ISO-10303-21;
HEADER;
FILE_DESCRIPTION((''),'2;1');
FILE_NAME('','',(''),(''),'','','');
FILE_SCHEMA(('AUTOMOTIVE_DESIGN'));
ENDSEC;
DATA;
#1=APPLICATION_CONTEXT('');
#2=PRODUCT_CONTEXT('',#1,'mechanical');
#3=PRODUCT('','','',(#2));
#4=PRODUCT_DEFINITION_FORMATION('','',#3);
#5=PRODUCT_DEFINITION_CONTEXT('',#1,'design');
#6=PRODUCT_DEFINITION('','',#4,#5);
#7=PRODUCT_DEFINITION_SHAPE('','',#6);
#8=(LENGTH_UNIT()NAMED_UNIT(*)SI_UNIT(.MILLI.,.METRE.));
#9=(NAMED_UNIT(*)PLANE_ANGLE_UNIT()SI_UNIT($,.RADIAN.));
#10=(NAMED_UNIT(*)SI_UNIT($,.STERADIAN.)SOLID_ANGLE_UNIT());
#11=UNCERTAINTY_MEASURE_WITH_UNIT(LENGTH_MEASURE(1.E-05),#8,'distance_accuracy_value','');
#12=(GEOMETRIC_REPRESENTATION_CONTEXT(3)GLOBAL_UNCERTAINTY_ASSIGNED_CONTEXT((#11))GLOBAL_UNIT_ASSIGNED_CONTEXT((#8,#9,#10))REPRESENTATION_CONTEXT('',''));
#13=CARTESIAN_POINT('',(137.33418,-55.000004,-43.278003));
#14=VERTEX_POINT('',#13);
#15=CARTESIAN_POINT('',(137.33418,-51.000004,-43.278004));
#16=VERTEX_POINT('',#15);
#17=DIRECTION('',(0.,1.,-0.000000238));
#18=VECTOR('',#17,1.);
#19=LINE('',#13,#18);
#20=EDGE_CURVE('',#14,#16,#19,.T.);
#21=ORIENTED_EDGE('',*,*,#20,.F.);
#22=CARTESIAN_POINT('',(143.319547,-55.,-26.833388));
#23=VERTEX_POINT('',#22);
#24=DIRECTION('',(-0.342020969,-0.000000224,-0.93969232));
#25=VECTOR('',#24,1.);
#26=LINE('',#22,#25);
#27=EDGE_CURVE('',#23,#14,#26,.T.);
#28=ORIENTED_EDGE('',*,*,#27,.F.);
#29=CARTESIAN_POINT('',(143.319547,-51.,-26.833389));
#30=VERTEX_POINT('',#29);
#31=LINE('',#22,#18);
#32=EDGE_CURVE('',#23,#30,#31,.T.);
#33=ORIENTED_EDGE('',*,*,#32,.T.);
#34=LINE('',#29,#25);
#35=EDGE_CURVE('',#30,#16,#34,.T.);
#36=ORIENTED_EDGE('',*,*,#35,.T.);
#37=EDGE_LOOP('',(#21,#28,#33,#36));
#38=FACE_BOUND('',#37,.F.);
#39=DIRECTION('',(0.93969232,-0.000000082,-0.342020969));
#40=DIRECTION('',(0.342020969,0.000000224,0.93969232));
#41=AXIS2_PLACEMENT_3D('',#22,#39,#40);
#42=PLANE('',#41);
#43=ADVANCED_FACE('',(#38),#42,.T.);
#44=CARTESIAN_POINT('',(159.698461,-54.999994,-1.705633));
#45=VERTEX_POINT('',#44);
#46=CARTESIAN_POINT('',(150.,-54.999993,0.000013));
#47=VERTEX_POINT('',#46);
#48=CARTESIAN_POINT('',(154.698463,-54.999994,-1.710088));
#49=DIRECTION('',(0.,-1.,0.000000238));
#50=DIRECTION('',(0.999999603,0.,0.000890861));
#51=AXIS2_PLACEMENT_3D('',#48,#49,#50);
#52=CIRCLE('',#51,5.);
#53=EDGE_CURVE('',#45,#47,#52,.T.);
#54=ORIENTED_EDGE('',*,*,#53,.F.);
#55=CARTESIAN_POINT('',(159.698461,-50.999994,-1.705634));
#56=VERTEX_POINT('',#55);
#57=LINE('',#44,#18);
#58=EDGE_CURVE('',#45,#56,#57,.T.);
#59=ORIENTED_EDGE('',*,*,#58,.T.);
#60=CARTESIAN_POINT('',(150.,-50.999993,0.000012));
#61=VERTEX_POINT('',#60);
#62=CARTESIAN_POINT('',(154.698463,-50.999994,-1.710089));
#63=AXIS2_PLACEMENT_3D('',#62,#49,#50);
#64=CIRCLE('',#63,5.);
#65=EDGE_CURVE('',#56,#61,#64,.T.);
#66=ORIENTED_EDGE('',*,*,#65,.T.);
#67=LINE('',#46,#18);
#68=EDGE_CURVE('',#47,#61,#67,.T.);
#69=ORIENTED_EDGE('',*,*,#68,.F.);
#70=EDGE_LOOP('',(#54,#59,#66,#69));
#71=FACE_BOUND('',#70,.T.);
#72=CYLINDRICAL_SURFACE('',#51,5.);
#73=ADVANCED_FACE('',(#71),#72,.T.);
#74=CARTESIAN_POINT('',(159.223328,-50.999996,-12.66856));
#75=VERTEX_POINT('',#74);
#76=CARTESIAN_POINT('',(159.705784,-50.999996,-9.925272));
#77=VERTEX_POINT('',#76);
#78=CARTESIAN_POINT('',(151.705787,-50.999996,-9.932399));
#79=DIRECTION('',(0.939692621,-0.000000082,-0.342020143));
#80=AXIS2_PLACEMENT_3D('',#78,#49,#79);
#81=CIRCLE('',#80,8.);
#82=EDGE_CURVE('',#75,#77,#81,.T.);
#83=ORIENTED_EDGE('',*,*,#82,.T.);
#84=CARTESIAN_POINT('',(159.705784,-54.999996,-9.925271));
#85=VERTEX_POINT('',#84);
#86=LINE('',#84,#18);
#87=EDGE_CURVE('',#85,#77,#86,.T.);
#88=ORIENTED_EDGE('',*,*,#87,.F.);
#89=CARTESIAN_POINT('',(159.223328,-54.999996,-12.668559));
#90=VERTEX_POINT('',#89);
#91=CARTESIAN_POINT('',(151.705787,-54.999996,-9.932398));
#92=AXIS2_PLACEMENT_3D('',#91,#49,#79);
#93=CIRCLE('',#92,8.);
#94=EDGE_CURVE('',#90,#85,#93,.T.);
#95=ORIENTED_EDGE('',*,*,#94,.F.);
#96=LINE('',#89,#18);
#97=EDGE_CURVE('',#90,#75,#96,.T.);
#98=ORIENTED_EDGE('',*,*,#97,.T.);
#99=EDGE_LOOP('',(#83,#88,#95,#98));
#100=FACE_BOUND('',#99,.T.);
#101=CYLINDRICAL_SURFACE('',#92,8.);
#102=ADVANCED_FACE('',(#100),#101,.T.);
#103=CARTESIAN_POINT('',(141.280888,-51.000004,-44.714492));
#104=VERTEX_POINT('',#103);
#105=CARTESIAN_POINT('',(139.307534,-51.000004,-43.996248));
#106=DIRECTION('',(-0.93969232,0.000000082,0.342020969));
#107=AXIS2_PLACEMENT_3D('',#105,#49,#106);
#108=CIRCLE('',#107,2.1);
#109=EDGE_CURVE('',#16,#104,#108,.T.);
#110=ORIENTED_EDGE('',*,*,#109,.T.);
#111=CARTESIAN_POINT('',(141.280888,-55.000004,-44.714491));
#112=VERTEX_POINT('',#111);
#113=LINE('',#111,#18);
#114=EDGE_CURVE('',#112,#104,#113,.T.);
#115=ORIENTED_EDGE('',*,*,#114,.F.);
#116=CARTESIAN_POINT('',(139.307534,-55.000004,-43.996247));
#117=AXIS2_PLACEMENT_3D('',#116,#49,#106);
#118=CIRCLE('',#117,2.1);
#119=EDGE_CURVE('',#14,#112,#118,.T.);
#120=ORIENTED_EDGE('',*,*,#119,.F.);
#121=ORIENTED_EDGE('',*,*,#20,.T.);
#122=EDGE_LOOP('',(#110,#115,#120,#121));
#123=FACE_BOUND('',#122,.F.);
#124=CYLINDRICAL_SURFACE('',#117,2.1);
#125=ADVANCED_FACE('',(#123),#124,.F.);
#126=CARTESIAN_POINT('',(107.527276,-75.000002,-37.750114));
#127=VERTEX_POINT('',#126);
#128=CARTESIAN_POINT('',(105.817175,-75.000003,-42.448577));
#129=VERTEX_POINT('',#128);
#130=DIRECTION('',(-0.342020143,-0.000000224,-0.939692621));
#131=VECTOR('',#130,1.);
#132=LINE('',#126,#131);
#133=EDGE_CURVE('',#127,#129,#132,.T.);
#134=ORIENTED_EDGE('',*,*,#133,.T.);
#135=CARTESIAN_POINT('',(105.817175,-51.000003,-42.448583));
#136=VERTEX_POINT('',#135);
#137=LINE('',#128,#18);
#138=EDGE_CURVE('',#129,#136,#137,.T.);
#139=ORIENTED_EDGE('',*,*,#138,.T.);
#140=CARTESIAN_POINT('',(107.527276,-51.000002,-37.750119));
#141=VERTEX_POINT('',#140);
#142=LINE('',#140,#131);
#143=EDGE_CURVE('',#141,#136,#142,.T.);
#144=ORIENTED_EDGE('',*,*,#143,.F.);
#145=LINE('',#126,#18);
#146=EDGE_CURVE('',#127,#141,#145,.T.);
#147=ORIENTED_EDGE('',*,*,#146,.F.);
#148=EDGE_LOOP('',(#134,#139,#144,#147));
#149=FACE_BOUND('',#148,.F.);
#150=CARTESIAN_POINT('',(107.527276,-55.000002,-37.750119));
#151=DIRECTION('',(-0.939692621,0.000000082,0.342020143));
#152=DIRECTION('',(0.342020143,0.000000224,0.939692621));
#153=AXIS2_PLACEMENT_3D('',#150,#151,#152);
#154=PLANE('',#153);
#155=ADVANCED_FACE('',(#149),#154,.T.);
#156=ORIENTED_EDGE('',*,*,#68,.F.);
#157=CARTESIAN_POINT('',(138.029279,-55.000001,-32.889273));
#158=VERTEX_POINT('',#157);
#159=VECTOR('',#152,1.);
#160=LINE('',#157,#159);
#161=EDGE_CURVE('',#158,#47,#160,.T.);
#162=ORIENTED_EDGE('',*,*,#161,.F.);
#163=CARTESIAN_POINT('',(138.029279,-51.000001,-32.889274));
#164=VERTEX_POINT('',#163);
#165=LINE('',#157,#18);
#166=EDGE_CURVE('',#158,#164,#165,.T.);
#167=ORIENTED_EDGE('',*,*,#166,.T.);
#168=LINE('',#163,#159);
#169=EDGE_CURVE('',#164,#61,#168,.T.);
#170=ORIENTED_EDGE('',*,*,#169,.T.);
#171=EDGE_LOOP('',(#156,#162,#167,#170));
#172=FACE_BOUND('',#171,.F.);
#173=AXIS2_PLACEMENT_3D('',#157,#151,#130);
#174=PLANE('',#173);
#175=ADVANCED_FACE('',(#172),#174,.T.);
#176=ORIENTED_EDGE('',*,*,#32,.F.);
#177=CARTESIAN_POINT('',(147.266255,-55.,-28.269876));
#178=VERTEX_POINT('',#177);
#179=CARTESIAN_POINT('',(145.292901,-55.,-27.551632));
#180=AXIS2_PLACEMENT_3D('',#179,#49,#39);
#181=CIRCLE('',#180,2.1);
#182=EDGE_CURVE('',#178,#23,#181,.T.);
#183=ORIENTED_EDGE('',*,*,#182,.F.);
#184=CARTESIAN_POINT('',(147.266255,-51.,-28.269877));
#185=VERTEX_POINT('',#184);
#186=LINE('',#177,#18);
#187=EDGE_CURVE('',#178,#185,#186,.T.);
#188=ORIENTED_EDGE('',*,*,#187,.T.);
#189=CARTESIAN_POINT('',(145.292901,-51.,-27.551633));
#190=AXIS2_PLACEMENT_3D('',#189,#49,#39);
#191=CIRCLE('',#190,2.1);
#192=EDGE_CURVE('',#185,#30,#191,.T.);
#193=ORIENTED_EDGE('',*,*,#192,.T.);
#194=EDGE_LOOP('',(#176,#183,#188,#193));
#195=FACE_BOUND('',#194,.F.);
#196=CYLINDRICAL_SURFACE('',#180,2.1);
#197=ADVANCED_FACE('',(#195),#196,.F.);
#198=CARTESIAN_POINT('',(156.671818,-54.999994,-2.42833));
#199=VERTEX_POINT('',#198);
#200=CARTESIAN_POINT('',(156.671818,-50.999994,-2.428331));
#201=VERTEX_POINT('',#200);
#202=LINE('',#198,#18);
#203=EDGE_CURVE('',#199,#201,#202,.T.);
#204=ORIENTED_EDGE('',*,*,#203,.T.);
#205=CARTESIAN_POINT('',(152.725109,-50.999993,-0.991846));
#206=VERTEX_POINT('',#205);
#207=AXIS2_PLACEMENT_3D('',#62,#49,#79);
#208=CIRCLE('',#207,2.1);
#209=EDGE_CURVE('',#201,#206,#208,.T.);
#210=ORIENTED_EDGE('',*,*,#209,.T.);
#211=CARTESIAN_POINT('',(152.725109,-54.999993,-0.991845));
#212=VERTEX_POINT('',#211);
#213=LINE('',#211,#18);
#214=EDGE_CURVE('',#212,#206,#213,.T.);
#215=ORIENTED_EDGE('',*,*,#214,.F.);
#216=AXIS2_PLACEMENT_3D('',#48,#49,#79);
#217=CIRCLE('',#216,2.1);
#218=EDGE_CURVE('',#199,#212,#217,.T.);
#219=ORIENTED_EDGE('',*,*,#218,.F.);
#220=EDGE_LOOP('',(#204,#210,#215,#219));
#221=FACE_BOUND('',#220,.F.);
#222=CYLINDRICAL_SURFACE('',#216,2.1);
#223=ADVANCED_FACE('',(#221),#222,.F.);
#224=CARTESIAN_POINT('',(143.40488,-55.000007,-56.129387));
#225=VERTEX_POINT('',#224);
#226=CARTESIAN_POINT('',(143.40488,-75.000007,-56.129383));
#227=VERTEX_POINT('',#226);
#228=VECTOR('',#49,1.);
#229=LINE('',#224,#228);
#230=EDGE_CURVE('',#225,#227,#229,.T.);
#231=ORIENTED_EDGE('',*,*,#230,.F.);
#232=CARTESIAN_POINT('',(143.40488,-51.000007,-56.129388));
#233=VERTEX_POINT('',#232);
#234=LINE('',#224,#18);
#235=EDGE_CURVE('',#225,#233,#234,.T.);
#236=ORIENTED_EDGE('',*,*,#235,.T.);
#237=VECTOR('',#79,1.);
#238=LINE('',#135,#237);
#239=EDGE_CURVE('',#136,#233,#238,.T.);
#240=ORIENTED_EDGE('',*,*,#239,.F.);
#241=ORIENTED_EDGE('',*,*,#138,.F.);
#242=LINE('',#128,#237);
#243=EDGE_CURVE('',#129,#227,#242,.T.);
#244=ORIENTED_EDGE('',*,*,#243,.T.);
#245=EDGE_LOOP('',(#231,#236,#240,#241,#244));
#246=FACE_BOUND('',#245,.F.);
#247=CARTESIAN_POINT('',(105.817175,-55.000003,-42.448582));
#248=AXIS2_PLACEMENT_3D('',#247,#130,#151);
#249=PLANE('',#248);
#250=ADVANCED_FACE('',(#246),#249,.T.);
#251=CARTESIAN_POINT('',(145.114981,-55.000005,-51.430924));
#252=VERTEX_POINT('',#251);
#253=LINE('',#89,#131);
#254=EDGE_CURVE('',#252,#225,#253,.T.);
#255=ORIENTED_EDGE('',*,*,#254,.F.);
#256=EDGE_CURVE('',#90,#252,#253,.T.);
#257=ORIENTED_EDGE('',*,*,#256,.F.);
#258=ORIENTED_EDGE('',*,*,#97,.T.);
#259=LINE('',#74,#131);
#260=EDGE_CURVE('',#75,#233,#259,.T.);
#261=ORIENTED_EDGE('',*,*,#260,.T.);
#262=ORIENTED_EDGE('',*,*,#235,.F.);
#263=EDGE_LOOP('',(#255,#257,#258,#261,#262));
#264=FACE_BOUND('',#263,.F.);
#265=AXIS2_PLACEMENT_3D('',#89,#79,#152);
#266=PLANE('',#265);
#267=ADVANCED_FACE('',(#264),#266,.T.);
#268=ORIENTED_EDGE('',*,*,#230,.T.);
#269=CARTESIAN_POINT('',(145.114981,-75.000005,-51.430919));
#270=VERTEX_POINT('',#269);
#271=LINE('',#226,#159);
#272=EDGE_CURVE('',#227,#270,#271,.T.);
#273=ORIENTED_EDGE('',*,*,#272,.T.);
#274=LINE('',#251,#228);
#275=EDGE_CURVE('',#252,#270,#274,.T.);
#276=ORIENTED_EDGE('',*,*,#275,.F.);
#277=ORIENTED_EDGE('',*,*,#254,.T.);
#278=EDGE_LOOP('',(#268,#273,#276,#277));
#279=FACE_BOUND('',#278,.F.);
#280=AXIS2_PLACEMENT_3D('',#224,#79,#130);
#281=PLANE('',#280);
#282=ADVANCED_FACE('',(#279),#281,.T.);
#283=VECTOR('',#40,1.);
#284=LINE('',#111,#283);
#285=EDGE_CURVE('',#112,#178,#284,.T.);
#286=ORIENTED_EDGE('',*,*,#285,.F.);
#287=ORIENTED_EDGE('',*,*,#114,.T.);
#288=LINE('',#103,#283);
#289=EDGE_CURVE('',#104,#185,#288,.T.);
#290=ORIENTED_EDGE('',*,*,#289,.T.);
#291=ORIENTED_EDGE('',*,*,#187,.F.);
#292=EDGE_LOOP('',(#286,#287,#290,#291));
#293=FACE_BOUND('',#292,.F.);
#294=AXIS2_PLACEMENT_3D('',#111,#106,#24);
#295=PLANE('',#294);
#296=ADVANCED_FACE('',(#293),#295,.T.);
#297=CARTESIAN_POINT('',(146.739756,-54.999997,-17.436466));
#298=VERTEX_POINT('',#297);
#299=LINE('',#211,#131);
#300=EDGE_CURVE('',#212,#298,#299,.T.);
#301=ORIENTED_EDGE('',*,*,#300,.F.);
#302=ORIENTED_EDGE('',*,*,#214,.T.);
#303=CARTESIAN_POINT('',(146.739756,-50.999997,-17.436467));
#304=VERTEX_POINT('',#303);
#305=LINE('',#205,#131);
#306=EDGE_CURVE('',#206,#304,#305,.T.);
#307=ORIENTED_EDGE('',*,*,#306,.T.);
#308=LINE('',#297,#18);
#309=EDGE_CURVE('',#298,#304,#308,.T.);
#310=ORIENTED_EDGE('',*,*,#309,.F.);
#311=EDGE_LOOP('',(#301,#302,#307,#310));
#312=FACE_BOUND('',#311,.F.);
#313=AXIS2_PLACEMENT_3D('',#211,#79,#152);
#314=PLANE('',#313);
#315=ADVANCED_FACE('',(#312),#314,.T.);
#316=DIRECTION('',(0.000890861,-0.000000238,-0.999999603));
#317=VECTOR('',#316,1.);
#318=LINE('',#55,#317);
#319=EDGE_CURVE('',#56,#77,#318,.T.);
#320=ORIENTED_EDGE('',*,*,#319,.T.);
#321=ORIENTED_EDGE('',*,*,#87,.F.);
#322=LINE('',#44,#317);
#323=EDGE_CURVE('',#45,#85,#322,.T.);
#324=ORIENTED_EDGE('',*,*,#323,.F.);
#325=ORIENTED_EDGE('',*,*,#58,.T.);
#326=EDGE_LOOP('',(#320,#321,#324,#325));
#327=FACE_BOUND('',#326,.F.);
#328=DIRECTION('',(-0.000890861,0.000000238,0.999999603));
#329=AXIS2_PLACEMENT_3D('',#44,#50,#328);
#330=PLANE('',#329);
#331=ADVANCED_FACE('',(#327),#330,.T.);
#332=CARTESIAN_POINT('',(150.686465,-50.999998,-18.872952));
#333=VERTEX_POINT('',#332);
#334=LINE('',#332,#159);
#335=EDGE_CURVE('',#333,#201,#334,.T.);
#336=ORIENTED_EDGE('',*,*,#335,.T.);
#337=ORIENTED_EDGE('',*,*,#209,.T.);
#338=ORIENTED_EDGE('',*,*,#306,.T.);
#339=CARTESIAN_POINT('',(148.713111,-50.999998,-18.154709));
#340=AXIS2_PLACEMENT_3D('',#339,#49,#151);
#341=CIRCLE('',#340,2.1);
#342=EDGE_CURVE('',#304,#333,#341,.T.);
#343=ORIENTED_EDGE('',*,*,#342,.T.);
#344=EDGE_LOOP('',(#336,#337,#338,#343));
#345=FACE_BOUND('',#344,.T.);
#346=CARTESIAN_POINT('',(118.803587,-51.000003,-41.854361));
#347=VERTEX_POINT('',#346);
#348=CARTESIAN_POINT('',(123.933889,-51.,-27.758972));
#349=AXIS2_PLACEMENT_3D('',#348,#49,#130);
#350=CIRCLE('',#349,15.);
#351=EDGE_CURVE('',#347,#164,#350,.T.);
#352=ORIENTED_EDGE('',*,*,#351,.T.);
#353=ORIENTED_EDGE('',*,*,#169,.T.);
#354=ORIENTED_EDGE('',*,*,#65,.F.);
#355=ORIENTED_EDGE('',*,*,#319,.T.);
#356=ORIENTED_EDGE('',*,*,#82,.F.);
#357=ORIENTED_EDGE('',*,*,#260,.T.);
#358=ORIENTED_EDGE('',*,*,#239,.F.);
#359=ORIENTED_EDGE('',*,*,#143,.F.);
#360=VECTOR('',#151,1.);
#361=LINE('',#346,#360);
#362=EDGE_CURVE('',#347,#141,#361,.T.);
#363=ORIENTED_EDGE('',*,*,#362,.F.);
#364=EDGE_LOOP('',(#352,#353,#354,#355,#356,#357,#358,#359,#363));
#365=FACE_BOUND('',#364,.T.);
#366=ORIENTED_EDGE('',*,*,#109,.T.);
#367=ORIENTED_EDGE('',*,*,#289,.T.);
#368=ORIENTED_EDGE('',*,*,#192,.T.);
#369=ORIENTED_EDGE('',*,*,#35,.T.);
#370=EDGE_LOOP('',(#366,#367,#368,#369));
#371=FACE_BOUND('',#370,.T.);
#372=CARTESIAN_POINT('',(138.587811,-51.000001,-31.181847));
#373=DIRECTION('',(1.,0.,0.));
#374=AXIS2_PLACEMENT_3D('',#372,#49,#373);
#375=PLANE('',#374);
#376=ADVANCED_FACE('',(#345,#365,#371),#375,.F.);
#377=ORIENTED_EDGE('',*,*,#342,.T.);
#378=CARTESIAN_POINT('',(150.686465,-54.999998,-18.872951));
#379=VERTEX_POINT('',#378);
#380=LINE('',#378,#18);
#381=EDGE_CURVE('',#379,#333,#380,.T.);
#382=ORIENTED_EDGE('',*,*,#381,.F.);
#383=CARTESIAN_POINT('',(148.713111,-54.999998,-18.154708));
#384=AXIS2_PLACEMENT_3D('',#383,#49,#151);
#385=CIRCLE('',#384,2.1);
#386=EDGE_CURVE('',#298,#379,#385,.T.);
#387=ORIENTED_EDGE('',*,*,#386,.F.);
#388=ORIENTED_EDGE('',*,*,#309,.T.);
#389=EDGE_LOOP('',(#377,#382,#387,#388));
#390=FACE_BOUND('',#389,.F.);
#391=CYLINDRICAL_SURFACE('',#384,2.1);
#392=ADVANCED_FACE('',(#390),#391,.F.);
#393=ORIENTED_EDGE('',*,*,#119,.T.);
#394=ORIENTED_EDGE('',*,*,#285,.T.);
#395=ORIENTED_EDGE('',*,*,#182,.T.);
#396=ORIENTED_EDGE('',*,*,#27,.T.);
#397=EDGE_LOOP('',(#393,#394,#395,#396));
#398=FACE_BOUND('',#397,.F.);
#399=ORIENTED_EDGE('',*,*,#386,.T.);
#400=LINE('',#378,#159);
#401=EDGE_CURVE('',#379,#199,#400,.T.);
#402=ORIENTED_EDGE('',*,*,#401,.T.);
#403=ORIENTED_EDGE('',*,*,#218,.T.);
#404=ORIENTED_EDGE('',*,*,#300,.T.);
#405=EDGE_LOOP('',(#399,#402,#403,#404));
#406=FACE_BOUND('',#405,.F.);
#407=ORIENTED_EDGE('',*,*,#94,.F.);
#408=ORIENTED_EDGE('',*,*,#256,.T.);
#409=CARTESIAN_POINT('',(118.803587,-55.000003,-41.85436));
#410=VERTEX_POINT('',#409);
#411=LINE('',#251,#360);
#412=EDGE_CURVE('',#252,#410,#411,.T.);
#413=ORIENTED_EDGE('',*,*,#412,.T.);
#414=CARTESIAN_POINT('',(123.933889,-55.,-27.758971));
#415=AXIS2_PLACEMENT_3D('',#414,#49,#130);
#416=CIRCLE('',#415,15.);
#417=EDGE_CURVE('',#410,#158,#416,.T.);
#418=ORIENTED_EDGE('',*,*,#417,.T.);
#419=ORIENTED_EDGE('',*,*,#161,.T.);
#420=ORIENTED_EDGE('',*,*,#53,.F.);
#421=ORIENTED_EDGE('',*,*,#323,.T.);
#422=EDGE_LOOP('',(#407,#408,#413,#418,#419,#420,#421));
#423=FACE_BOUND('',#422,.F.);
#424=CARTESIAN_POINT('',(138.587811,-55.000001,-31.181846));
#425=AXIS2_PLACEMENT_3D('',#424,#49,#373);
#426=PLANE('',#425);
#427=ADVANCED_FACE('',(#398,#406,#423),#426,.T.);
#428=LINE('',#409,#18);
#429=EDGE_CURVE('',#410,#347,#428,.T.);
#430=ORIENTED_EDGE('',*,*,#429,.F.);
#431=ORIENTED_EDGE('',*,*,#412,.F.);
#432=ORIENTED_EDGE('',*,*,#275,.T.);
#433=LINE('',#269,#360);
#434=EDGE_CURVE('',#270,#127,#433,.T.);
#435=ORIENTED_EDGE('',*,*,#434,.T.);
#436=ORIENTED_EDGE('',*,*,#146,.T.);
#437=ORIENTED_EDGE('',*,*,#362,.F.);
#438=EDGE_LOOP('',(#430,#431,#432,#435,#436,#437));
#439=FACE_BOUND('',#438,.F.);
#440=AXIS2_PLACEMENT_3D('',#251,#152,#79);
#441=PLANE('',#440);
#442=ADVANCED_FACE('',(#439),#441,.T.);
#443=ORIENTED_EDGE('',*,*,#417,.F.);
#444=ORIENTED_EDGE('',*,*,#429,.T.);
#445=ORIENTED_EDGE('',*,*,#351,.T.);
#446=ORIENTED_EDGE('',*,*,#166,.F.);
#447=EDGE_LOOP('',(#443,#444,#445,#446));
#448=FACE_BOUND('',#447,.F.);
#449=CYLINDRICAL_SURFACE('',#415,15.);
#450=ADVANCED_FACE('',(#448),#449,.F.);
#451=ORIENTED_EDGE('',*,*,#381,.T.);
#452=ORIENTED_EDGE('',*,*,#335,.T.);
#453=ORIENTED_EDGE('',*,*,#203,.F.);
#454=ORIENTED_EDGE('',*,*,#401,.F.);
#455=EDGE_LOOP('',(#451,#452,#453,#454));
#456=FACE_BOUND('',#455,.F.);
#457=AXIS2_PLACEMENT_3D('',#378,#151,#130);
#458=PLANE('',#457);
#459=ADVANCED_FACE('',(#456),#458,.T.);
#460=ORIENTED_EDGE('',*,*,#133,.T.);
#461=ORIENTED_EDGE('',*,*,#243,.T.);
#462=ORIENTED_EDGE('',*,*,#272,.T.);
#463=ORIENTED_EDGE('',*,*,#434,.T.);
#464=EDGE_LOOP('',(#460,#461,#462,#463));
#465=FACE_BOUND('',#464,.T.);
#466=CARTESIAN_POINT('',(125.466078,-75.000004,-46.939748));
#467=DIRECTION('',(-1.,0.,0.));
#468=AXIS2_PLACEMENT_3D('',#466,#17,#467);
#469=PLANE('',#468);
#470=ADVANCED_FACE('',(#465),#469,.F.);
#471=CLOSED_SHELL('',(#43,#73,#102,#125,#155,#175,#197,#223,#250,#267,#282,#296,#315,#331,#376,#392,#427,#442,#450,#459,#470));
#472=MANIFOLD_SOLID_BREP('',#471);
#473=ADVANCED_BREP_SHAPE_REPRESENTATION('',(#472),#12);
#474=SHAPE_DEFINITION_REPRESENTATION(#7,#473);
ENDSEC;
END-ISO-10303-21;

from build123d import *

# Parameters (mm, degrees)
PAD039_DEPTH = 4
PAD040_DEPTH = 20


with BuildPart() as tentingfoot:
    # Sketch060 → Pad039 (new body)
    with BuildSketch(Plane.XZ):
        with BuildLine():
            ThreePointArc((-21.1964126557, -41.8543733369), (-9.7268365797, -41.3536008307), (-1.970721194, -32.889286175))
            Line((-1.970721194, -32.889286175), (10, 0))
            ThreePointArc((19.6984611198, -1.705646413), (15.5645105895, 3.2143243008), (10, 0))
            Line((19.6984611198, -1.705646413), (19.7057836753, -9.9252842627))
            ThreePointArc((19.2233278161, -12.6685722951), (19.5848668778, -11.3180871255), (19.7057836753, -9.9252842627))
            Line((19.2233278161, -12.6685722951), (3.4048800097, -56.129400454))
            Line((-34.1828248217, -42.448594721), (3.4048800097, -56.129400454))
            Line((-32.4727241051, -37.750131617), (-34.1828248217, -42.448594721))
            Line((-21.1964126557, -41.8543733369), (-32.4727241051, -37.750131617))
        make_face()
        with BuildLine():
            ThreePointArc((16.6718176076, -2.4283430176), (15.4167054049, 0.263253787), (12.7251086003, -0.9918584156))
            Line((12.7251086003, -0.9918584156), (6.7397560921, -17.4364792794))
            ThreePointArc((6.7397560921, -17.4364792794), (7.9948682947, -20.128076084), (10.6864650994, -18.8729638814))
            Line((10.6864650994, -18.8729638814), (16.6718176076, -2.4283430176))
        make_face(mode=Mode.SUBTRACT)
        with BuildLine():
            ThreePointArc((7.2662547771, -28.2698888178), (6.0111449398, -25.5782909102), (3.3195470322, -26.8334007475))
            Line((3.3195470322, -26.8334007475), (-2.6658199272, -43.2780163515))
            ThreePointArc((-2.6658199272, -43.2780163515), (-1.4107100899, -45.9696142591), (1.2808878177, -44.7145044217))
            Line((1.2808878177, -44.7145044217), (7.2662547771, -28.2698888178))
        make_face(mode=Mode.SUBTRACT)
    extrude(amount=PAD039_DEPTH)

    # Sketch061 → Pad040 (join)
    with BuildSketch(Plane.XZ):
        Polygon((5.1149807264, -51.4309373501), (-32.4727241051, -37.750131617), (-34.1828248217, -42.448594721), (3.4048800097, -56.129400454), align=None)
    extrude(amount=-PAD040_DEPTH)


with BuildPart() as tentingfoot_1:
    # Body013 placement: moved
    add(tentingfoot.part.moved(Location((140, 55, 0))))


with BuildPart() as part_mirroring001:
    # Part__Mirroring001: instance of TentingFoot
    add(tentingfoot_1.part.mirror(Plane(origin=(133.8426055908, 1.9073e-06, -12.4421358109), x_dir=(1, 0, 0), z_dir=(0, 1, -1.192e-07))))


solid = part_mirroring001.part
